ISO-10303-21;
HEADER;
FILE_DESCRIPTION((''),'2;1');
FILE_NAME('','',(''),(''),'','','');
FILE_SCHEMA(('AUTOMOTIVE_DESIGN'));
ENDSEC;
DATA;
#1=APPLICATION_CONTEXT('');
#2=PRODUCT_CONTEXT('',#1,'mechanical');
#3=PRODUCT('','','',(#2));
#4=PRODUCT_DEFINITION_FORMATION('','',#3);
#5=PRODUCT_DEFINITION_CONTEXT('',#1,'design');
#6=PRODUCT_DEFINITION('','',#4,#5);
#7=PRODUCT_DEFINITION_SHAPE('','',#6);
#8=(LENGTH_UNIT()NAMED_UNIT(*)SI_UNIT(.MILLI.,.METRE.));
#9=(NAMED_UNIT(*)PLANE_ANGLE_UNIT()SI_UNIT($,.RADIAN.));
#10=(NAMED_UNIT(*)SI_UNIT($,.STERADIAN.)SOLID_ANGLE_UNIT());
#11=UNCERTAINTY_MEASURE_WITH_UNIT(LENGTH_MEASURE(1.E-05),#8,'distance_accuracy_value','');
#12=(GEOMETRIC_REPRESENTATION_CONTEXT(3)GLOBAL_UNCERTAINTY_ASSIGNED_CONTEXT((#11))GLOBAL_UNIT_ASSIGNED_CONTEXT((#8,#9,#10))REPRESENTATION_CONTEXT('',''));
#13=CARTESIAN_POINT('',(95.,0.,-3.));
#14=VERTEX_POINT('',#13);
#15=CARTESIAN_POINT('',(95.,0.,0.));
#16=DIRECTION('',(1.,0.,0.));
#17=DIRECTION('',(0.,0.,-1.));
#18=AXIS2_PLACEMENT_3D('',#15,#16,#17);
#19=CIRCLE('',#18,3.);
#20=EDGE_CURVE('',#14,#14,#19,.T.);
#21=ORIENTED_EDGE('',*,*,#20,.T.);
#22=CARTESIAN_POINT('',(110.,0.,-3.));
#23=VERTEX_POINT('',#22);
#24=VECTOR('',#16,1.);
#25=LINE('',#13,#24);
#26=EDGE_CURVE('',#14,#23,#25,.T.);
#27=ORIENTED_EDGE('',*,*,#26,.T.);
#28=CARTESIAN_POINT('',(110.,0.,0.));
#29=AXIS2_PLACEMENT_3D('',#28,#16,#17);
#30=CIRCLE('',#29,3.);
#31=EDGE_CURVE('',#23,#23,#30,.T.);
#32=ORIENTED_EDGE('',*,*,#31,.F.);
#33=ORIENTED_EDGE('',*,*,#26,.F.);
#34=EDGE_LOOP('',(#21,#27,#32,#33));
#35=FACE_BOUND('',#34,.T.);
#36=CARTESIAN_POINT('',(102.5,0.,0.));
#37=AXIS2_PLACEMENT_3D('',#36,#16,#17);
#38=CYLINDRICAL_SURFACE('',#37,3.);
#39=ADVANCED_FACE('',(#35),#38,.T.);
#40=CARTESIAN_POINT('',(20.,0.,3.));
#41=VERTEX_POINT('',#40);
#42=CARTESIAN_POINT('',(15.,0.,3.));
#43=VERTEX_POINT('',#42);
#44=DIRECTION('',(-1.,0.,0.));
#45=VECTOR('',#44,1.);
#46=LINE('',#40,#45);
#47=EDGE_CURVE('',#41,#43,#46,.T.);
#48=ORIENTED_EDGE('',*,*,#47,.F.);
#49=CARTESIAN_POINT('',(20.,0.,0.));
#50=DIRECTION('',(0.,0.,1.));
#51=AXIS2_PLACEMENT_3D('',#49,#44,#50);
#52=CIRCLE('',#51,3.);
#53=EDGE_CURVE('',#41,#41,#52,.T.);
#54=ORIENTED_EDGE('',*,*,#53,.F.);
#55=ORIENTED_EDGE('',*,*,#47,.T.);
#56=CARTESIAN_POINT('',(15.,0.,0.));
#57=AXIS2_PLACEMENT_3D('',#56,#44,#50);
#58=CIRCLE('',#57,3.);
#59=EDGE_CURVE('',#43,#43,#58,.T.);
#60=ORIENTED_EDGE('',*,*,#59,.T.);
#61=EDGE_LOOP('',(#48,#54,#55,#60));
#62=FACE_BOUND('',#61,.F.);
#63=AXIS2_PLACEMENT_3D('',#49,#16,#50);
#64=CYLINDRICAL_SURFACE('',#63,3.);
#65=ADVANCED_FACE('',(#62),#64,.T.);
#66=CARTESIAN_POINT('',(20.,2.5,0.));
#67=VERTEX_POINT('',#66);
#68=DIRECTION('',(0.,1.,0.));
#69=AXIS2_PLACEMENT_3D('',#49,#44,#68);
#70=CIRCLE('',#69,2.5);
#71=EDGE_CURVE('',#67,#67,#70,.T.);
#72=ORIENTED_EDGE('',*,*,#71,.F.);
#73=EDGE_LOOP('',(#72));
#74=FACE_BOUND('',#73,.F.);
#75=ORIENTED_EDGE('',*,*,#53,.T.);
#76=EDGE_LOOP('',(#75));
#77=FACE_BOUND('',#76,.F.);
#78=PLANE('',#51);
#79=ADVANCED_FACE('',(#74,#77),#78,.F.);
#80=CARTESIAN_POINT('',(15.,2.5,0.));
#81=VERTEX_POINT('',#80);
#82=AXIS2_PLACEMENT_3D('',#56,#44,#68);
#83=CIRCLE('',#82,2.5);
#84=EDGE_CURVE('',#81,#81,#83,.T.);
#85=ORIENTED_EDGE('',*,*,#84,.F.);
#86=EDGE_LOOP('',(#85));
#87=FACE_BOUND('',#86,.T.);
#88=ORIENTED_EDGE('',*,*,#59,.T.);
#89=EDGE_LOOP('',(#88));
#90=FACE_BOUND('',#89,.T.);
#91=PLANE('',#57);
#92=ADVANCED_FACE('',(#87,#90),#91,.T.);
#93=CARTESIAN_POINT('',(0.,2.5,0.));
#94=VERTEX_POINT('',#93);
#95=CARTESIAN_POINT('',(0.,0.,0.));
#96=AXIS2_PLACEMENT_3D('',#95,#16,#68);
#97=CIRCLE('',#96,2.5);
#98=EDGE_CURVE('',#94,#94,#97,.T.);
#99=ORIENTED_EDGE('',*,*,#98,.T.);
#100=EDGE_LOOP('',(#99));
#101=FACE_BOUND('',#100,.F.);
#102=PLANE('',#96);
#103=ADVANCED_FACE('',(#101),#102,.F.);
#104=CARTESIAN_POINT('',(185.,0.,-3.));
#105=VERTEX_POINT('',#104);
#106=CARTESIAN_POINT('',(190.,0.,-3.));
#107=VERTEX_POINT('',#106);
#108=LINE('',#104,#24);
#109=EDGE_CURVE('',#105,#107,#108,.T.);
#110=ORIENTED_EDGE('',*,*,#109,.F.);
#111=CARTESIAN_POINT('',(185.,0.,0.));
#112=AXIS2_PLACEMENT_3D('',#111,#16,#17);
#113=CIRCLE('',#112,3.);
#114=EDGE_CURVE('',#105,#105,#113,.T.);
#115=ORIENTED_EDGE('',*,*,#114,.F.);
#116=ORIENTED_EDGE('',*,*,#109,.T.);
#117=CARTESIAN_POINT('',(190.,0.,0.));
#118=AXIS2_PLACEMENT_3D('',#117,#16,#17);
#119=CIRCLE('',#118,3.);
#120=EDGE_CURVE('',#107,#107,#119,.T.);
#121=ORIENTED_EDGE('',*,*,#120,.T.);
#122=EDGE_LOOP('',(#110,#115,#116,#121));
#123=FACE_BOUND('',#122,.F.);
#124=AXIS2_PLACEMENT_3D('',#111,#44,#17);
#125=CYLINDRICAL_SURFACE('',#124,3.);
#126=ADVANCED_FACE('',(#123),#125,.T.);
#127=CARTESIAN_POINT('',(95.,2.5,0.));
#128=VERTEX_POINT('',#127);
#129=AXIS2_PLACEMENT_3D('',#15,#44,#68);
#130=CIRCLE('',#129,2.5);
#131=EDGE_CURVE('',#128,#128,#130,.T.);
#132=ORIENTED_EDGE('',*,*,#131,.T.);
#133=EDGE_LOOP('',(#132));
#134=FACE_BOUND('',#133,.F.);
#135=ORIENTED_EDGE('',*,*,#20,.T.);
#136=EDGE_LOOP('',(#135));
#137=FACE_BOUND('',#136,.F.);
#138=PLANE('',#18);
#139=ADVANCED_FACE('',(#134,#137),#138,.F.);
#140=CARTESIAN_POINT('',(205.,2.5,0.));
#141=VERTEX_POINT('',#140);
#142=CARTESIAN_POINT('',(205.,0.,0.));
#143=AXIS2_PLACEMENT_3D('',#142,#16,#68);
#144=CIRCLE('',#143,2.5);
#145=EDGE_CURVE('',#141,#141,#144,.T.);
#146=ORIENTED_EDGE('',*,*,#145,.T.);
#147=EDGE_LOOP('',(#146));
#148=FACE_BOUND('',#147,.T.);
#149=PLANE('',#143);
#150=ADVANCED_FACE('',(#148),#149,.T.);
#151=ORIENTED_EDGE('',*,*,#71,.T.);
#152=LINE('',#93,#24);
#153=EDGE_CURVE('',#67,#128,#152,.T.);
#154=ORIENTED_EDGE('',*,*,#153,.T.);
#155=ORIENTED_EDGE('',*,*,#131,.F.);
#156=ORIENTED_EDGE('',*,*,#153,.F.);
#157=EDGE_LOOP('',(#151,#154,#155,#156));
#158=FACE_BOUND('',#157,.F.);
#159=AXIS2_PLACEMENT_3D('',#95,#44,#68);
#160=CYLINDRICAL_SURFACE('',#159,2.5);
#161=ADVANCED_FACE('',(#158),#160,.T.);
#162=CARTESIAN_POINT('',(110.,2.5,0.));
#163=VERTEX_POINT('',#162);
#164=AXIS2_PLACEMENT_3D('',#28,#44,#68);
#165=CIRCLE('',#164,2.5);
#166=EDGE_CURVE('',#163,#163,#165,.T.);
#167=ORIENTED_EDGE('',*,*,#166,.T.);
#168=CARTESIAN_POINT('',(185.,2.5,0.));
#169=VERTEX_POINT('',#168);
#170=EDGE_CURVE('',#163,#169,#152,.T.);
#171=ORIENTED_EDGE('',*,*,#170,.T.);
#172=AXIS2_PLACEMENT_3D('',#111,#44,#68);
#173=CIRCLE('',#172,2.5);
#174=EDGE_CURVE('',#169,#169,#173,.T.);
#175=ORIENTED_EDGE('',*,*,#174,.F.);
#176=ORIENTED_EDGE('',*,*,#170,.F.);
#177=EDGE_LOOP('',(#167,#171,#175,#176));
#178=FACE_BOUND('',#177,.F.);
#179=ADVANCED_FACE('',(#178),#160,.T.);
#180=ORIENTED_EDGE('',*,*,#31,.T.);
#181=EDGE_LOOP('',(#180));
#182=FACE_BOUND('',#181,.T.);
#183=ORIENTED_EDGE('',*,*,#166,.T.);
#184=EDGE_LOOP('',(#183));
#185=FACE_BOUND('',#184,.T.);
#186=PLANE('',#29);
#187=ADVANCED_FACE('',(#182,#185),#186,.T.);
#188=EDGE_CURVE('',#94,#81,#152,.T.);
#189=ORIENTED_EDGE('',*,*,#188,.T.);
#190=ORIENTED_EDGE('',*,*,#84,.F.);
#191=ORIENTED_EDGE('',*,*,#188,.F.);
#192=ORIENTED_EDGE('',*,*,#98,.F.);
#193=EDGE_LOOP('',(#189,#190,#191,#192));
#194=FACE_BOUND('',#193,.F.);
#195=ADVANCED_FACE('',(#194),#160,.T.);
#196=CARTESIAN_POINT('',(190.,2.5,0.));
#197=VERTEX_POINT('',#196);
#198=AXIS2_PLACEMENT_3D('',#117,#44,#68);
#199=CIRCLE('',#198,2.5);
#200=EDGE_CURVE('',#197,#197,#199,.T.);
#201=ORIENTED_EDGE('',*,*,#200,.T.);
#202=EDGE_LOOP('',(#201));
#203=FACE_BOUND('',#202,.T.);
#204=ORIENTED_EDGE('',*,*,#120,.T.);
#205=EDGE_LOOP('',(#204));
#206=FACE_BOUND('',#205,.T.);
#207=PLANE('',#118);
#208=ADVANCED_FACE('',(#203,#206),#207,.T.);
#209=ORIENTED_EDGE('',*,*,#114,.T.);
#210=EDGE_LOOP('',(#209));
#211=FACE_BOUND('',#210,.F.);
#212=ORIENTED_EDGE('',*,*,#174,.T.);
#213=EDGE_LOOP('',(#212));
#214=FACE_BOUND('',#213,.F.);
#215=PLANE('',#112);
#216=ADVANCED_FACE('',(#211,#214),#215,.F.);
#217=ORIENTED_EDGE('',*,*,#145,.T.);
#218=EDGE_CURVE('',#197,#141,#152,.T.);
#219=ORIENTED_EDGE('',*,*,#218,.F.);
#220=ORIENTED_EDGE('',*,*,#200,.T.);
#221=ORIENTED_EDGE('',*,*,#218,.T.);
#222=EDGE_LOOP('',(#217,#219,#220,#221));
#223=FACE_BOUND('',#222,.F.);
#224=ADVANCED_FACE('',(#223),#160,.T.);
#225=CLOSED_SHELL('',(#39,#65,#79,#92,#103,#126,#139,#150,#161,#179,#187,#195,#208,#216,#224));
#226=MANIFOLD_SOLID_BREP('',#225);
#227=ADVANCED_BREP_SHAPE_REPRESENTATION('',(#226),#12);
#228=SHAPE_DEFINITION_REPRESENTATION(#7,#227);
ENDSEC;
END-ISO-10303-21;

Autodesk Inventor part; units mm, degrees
sketch "Sketch1" plane through (0, 0, 0) normal (1, 0, 0) x (0, 1, 0)
  circle A0 centre (0, 0) radius 2.5
  dimension "d0" = 5
extrude "Extrusion1" add sketch "Sketch1" along normal blind 205
ref_plane "Work Plane1" through (185, 0, 0) normal (1, 0, 0) x (0, 0, -1)
sketch "Sketch2" plane through (185, 0, 0) normal (1, 0, 0) x (0, 0, -1)
  circle A0 centre (0, 0) radius 3
  dimension "d4" = 6
extrude "Extrusion2" add sketch "Sketch2" along normal blind 5
ref_plane "Work Plane2" through (20, 0, 0) normal (-1, 0, 0) x (0, 0, 1)
sketch "Sketch3" plane through (20, 0, 0) normal (-1, 0, 0) x (0, 0, 1)
  circle A0 centre (0, 0) radius 3
  dimension "d8" = 6
extrude "Extrusion3" add sketch "Sketch3" along normal blind 5
ref_plane "Work Plane3" through (102.5, 0, 0) normal (1, 0, 0) x (0, 0, -1)
sketch "Sketch4" plane through (102.5, 0, 0) normal (1, 0, 0) x (0, 0, -1)
  circle A0 centre (0, 0) radius 3
  dimension "d11" = 6
extrude "Extrusion4" add sketch "Sketch4" along normal mid plane 15
properties part number "roller stick"
